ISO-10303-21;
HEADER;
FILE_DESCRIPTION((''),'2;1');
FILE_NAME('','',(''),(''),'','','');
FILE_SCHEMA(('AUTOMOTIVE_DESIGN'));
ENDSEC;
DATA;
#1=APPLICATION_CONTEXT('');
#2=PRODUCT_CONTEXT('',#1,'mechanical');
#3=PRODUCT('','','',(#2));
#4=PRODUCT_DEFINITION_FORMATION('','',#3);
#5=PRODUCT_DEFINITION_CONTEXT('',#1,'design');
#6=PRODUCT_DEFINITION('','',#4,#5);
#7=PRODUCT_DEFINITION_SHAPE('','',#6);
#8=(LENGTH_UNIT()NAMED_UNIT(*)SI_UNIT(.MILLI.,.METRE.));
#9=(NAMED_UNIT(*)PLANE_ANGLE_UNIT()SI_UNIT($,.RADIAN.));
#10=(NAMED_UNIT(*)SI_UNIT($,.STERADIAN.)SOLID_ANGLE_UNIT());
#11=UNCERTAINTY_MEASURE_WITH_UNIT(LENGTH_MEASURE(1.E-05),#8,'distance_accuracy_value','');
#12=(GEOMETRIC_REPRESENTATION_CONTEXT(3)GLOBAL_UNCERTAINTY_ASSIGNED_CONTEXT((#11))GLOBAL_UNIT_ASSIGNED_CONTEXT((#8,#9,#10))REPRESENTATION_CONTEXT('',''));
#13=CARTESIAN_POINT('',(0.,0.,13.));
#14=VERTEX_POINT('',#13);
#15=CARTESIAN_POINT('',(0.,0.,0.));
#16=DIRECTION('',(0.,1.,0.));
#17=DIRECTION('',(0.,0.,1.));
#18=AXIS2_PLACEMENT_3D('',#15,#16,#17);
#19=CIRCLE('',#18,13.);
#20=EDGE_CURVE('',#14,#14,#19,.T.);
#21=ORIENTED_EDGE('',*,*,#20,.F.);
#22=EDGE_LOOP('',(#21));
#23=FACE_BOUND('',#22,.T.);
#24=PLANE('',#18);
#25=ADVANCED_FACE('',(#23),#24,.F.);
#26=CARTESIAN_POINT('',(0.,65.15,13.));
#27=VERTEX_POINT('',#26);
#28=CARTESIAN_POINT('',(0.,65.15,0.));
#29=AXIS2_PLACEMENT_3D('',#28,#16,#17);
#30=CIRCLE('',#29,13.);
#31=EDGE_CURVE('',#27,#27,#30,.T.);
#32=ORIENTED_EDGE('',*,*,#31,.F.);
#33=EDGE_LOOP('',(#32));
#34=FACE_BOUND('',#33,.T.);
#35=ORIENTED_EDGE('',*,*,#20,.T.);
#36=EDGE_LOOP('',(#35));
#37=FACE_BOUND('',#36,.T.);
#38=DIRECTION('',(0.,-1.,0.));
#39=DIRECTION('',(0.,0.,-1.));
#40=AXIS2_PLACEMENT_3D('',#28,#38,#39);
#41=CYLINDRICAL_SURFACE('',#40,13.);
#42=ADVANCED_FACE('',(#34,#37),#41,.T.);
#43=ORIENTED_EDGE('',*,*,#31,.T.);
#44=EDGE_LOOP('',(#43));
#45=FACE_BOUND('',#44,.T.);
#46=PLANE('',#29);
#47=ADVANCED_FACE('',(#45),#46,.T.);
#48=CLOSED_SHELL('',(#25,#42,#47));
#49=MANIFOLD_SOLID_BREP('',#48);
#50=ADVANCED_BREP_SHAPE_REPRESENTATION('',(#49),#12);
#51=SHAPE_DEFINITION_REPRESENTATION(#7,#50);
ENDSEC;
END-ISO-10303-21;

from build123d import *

# Parameters (mm, degrees)
SKETCH1_R           = 13
BOSS_EXTRUDE1_DEPTH = 65.15


with BuildPart() as part:
    # Sketch1 → Boss-Extrude1 (new body)
    with BuildSketch(Plane(origin=(0, 0, 0), x_dir=(1, 0, 0), z_dir=(0, 1, 0))):
        with Locations(Location((0, 0, 0), (0, 0, 270))):
            Circle(SKETCH1_R)
    extrude(amount=BOSS_EXTRUDE1_DEPTH)


solid = part.part
